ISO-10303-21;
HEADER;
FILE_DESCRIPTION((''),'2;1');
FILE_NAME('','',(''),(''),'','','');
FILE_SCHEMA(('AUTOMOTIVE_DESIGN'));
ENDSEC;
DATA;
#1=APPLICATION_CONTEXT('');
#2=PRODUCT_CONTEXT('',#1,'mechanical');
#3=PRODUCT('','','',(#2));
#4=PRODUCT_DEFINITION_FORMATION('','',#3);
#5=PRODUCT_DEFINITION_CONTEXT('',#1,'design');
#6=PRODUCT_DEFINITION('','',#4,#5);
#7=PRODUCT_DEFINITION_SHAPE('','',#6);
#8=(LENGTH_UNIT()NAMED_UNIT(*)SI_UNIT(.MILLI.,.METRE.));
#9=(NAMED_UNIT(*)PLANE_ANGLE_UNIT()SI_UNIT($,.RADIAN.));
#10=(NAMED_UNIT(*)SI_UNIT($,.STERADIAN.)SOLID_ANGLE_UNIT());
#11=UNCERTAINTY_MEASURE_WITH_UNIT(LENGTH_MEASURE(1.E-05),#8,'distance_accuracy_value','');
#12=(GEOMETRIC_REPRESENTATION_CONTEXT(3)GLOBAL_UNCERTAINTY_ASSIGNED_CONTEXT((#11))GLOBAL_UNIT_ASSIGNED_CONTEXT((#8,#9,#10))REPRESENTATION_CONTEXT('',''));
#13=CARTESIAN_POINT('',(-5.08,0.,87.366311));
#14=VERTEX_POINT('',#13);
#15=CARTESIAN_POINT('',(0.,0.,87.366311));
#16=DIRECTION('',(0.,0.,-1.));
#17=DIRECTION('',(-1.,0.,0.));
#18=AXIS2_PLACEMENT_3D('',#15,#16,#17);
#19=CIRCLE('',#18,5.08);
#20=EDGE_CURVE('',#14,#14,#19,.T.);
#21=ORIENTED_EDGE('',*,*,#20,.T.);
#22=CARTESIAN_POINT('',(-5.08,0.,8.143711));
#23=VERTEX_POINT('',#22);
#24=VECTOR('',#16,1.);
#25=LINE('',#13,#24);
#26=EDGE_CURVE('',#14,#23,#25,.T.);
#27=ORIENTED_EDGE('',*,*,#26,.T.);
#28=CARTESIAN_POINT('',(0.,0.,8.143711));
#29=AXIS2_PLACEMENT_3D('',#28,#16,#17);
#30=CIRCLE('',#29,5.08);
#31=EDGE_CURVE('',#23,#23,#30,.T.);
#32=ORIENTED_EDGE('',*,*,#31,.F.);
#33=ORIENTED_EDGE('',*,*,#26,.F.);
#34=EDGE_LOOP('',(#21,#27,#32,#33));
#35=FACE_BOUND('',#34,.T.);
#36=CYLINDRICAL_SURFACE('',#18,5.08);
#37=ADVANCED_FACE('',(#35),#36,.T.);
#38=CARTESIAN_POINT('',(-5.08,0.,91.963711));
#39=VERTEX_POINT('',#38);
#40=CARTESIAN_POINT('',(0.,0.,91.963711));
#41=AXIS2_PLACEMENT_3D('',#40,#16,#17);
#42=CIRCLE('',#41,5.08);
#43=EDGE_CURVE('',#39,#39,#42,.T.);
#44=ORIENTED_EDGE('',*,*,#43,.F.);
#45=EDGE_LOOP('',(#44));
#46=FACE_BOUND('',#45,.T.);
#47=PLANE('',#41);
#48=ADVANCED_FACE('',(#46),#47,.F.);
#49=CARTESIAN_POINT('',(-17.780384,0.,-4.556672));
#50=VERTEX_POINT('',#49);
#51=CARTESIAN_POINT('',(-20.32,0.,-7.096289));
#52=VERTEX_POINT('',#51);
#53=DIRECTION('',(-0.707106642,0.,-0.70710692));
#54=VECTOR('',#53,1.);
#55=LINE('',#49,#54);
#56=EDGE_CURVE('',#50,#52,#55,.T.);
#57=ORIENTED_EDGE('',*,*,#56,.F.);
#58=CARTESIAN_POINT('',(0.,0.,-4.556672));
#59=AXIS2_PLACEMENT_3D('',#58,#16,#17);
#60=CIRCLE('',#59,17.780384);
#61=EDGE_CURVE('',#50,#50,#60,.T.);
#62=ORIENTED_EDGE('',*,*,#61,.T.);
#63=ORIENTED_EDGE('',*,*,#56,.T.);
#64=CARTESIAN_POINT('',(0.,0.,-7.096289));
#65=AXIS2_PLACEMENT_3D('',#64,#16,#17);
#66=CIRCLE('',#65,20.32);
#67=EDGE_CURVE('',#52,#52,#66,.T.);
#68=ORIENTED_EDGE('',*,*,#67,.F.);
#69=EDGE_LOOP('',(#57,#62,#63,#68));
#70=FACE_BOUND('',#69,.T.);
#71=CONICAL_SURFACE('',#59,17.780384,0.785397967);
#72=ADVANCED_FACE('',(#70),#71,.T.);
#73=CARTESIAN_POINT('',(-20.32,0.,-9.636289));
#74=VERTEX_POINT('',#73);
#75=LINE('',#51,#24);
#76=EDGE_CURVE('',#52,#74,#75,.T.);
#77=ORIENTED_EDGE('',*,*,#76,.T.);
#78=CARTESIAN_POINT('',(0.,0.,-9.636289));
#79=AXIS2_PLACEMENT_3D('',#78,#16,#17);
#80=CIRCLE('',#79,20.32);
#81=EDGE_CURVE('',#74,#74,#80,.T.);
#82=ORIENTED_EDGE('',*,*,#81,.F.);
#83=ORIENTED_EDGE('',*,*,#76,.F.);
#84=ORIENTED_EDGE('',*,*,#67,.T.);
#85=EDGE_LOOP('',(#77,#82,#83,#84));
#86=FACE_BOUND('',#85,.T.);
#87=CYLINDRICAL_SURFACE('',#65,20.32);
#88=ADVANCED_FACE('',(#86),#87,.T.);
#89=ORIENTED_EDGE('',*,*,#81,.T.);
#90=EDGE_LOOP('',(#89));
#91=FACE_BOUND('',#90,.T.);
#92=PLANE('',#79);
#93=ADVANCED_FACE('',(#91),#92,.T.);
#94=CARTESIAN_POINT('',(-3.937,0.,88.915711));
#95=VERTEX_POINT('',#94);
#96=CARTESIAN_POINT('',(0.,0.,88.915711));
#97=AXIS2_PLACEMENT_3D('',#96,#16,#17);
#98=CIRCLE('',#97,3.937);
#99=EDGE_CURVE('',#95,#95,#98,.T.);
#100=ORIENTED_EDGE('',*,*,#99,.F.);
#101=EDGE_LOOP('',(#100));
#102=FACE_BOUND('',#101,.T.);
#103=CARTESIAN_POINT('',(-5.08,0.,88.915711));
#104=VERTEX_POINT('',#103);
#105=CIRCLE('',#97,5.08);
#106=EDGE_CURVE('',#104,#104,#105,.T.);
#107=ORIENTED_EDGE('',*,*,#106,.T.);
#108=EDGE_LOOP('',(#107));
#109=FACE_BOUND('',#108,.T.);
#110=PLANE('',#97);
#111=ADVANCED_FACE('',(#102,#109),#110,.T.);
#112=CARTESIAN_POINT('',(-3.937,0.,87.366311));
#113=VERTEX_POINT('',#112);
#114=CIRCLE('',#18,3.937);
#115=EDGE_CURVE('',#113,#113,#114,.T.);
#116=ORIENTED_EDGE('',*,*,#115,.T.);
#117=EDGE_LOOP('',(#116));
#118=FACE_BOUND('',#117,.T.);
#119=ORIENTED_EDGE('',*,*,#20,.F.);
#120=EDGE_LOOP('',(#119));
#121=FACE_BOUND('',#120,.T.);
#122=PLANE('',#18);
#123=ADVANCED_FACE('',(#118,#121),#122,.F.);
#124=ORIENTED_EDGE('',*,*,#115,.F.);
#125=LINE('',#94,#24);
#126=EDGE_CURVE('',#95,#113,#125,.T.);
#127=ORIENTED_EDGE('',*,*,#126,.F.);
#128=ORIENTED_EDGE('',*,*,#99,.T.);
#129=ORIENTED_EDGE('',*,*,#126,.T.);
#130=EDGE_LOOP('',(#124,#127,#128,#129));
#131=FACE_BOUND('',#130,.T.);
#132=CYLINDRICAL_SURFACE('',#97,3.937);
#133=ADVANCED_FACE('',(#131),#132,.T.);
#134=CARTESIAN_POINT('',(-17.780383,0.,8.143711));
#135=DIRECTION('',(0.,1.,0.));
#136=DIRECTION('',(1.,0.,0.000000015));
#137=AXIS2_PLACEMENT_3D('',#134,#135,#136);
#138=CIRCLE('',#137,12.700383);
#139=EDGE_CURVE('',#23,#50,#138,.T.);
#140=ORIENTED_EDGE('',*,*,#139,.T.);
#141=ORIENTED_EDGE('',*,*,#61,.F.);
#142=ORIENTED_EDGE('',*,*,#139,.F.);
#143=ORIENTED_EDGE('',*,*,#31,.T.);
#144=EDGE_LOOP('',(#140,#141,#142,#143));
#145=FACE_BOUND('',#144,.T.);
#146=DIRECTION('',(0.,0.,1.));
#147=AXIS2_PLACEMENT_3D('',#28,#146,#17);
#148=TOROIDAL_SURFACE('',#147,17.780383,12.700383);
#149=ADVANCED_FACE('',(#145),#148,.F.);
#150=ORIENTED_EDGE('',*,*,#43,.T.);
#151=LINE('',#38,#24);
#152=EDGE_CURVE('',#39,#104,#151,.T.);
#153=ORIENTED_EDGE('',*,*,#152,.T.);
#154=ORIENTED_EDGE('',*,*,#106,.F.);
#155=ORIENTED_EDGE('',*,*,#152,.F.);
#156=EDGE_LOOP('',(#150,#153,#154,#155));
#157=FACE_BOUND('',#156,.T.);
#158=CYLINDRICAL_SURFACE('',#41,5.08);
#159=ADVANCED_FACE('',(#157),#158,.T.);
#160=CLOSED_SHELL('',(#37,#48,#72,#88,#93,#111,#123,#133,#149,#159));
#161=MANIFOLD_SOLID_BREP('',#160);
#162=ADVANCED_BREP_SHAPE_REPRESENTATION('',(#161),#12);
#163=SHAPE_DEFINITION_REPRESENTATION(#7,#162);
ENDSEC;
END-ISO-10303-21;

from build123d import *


with BuildPart() as f1:
    # F0 (on Front) → F1 (revolve)
    with BuildSketch(Plane.XZ):
        with BuildLine():
            Line((-20.32, -9.636289), (0, -9.636289))
            Line((0, -9.636289), (0, 91.963711))
            Line((0, 91.963711), (-5.08, 91.963711))
            Line((-5.08, 91.963711), (-5.08, 88.915711))
            Line((-5.08, 88.915711), (-3.937, 88.915711))
            Line((-3.937, 88.915711), (-3.937, 87.366311))
            Line((-3.937, 87.366311), (-5.08, 87.366311))
            Line((-5.08, 87.366311), (-5.08, 8.143711))
            ThreePointArc((-5.08, 8.143711), (-8.799856, -0.836816), (-17.780384, -4.556672))
            Line((-17.780384, -4.556672), (-20.32, -7.096289))
            Line((-20.32, -7.096289), (-20.32, -9.636289))
        make_face()
    revolve(axis=Axis((0, 0, 40.559225), (0, 0, -1)))


solid = f1.part
